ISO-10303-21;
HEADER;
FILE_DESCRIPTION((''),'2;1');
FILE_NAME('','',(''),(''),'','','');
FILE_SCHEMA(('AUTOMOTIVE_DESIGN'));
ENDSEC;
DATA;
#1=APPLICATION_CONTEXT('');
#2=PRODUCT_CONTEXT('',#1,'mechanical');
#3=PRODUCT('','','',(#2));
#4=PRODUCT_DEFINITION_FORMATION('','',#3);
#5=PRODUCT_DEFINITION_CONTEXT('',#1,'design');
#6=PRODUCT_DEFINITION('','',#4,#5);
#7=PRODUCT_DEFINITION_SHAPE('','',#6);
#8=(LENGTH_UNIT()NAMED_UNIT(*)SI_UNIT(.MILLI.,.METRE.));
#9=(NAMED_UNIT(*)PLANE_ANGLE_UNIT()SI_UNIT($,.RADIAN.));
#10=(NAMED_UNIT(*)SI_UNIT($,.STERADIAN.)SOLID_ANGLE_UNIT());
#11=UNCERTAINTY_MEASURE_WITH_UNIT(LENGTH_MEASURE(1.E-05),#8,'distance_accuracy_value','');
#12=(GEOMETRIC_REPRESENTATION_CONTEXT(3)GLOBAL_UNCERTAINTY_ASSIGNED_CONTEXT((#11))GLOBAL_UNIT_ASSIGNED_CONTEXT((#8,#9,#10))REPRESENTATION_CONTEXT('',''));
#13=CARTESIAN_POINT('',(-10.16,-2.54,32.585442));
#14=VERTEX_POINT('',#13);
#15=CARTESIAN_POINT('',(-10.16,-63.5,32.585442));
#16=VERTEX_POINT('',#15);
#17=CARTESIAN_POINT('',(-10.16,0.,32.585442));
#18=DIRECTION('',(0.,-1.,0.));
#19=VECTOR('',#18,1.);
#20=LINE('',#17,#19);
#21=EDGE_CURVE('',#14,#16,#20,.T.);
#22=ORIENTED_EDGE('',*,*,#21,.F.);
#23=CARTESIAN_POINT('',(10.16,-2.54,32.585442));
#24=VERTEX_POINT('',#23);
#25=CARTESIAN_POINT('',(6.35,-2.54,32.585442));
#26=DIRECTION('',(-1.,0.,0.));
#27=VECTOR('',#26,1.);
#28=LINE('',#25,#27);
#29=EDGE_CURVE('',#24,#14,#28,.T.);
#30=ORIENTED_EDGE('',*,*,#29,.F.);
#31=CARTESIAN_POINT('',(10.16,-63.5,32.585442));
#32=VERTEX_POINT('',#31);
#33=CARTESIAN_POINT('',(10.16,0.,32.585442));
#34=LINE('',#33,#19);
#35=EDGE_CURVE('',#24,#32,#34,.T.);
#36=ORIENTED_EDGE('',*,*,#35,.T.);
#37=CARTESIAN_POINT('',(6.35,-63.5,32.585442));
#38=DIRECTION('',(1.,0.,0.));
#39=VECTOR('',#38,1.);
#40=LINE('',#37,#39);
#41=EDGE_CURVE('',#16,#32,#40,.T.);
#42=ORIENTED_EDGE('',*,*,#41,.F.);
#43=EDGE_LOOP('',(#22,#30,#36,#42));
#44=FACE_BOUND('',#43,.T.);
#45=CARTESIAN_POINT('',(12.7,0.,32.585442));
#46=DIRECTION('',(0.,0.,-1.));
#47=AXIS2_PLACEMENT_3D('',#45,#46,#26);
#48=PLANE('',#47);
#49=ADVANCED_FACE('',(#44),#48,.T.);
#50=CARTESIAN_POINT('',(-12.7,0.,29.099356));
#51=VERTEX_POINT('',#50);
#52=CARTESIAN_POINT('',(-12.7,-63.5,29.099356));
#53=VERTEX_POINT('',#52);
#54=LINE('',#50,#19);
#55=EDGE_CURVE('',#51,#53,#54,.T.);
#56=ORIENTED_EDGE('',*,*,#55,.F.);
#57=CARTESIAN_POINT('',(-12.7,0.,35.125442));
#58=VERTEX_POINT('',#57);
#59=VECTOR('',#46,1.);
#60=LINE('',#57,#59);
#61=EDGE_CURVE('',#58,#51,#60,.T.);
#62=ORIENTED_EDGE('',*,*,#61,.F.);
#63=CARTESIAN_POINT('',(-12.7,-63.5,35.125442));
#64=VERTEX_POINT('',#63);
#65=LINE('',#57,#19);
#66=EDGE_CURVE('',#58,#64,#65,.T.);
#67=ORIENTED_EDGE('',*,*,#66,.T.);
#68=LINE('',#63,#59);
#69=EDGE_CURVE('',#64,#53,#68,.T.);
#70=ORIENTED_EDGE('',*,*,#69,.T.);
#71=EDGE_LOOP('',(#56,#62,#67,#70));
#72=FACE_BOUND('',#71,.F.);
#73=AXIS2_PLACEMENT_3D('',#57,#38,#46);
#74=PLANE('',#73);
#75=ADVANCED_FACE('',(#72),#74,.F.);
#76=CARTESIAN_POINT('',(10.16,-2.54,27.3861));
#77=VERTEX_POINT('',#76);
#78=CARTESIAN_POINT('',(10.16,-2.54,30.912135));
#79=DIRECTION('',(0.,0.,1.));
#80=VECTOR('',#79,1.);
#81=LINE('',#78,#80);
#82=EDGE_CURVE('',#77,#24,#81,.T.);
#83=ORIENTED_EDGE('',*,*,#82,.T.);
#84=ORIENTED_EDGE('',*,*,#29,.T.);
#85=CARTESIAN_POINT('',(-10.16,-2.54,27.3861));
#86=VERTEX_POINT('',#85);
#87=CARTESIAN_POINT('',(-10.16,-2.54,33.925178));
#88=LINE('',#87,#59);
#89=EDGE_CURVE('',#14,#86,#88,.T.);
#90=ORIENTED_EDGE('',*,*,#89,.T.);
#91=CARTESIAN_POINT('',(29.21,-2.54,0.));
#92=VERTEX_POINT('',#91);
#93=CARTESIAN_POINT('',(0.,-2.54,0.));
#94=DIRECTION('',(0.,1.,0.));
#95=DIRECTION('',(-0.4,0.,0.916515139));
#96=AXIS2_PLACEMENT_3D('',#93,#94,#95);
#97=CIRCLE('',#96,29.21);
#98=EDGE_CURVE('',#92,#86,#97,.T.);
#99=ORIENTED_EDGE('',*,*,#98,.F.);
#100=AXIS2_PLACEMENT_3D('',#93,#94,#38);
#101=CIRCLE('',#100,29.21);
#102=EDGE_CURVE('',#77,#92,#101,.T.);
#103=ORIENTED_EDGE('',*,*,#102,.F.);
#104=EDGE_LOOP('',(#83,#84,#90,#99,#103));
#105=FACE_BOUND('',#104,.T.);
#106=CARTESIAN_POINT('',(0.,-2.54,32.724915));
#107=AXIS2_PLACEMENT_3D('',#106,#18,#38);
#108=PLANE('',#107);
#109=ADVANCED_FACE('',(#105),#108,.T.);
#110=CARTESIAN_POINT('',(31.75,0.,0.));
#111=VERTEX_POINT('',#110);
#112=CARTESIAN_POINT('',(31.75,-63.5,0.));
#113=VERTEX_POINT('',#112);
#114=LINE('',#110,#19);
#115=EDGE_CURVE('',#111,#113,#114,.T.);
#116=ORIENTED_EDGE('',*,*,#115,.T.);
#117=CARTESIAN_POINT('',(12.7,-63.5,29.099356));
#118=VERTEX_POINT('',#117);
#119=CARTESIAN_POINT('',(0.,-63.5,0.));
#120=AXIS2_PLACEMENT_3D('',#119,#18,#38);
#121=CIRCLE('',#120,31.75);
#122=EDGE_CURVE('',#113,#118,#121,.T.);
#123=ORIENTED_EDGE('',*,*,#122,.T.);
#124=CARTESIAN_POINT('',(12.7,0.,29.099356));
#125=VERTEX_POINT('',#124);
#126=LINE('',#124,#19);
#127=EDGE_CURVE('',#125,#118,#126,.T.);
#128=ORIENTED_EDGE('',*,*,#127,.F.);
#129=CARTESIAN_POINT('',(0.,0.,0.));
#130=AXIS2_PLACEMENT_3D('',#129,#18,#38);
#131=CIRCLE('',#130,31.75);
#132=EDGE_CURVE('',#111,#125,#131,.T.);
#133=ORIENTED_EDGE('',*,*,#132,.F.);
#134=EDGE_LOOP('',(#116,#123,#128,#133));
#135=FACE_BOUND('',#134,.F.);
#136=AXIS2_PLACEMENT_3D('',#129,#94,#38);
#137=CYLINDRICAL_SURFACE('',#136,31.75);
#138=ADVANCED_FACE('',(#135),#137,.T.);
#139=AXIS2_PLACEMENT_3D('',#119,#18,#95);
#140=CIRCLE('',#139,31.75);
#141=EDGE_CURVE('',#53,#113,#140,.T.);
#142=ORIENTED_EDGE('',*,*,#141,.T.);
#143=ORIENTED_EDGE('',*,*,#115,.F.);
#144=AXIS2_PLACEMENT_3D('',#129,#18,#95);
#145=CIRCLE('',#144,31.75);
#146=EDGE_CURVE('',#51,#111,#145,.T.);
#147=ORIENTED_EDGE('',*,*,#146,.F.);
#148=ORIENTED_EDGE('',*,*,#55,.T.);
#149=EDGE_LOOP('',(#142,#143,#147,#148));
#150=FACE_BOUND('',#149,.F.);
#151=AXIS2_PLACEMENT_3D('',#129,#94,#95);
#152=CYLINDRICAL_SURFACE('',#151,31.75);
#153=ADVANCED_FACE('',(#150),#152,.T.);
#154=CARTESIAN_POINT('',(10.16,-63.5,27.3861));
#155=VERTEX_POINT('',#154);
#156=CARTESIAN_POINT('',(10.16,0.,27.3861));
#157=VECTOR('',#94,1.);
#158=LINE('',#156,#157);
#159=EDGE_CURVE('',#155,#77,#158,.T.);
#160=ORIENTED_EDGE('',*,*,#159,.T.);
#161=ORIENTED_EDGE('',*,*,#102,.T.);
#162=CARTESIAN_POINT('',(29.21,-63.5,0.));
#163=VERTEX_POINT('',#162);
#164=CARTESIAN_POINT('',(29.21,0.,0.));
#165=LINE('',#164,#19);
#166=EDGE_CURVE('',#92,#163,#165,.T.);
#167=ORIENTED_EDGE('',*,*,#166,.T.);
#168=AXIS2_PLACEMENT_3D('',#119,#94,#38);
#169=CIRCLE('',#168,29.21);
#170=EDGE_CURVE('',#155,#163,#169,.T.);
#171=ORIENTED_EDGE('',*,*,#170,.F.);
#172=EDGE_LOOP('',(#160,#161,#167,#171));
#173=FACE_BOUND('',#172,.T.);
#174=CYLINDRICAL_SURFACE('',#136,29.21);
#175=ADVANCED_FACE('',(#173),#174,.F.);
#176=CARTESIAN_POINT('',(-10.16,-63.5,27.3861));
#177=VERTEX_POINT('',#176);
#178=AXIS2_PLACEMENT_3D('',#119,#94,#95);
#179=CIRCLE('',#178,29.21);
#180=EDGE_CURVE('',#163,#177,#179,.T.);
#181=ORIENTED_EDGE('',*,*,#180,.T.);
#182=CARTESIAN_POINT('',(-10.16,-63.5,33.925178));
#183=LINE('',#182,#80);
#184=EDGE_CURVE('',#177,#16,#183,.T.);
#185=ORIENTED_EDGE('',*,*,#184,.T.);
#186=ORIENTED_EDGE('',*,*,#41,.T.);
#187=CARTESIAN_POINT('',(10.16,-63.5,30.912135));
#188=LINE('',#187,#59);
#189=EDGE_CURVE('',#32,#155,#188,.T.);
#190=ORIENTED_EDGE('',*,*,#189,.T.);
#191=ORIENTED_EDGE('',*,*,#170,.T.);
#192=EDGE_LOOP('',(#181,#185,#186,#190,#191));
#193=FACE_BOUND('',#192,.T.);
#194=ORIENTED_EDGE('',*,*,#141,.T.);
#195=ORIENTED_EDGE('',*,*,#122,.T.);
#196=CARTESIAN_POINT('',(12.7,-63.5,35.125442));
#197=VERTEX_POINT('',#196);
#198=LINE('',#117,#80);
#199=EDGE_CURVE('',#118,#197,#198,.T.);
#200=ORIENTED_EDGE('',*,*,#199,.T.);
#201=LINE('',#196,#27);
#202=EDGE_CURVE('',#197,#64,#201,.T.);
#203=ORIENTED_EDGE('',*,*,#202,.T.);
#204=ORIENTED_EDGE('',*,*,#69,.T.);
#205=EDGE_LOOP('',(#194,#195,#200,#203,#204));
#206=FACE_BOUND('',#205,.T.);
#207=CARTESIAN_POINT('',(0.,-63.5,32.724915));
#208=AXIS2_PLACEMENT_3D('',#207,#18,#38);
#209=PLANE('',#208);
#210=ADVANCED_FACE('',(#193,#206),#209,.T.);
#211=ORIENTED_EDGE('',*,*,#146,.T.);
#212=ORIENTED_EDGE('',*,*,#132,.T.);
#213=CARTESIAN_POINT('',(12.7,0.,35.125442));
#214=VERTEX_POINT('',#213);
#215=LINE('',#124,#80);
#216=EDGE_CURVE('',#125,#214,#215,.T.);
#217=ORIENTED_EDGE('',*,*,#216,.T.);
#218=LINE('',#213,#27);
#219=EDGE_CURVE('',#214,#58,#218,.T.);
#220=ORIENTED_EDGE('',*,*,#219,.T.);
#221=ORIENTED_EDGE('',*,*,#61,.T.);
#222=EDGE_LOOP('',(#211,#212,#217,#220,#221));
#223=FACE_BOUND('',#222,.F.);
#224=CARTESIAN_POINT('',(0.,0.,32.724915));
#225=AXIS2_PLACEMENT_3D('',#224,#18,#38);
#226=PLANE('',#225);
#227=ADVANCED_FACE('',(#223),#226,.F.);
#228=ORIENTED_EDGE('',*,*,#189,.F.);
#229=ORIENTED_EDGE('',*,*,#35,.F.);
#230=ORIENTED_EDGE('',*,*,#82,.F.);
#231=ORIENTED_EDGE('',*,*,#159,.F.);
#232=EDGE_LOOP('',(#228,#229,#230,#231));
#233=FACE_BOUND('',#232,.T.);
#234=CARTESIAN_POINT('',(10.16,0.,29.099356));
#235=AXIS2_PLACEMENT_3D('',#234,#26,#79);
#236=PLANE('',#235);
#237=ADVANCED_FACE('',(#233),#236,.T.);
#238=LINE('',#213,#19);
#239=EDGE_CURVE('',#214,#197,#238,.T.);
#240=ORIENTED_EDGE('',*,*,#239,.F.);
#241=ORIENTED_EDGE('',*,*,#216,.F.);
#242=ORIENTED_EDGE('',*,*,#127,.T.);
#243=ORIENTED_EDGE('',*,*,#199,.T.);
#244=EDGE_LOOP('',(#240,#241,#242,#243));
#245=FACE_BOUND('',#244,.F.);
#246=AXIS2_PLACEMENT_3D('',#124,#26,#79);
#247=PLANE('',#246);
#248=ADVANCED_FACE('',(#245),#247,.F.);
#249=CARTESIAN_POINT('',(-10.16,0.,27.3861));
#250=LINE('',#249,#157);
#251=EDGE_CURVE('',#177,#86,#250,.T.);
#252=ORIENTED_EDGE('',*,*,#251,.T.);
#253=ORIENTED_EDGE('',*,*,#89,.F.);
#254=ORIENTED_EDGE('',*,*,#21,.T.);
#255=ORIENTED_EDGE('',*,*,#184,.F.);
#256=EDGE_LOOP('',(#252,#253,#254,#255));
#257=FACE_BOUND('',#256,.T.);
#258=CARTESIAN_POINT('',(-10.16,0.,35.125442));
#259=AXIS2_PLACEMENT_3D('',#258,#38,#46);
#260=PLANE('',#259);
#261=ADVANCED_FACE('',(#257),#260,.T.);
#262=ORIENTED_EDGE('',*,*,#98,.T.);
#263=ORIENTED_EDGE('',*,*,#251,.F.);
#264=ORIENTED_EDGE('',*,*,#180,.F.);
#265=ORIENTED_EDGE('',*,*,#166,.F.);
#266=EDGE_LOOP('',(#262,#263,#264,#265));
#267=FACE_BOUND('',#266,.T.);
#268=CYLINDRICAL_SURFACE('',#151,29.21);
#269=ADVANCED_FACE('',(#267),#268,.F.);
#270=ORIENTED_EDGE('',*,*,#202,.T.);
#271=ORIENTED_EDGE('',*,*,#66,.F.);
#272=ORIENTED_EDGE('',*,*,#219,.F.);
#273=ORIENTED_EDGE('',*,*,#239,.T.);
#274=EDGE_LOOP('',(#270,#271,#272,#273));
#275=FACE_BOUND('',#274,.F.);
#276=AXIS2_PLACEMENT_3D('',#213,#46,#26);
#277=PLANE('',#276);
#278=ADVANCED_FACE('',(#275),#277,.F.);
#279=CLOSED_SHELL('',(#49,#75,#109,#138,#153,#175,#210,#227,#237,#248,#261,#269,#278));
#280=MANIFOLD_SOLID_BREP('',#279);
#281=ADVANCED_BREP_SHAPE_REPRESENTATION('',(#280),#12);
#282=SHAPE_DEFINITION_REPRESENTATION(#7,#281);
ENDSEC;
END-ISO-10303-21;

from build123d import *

# Parameters (mm, degrees)
F1_DEPTH = 63.5
F2_T     = -2.54


with BuildPart() as f1:
    # F0 (on Front) → F1 (new body)
    with BuildSketch(Plane.XZ):
        with BuildLine():
            ThreePointArc((-12.7, 29.099355663), (0, 31.75), (12.7, 29.099355663))
            Line((12.7, 29.099355663), (12.7, 35.1254418492))
            Line((12.7, 35.1254418492), (-12.7, 35.1254418492))
            Line((-12.7, 35.1254418492), (-12.7, 29.099355663))
        make_face()
        with BuildLine():
            ThreePointArc((-12.7, 29.099355663), (-17.3901912008, -26.5639558425), (31.75, 0))
            ThreePointArc((31.75, 0), (26.5639558425, 17.3901912008), (12.7, 29.099355663))
            Line((12.7, 29.099355663), (12.7, 28.3745581508))
            Line((12.7, 28.3745581508), (6.3699584668, 28.3745581508))
            ThreePointArc((6.3699584668, 28.3745581508), (22.7039126469, 18.1720739499), (29.0807826772, 0))
            ThreePointArc((29.0807826772, 0), (-18.1720739499, -22.7039126469), (-6.3699584668, 28.3745581508))
            Line((-6.3699584668, 28.3745581508), (-12.7, 28.3745581508))
            Line((-12.7, 28.3745581508), (-12.7, 29.099355663))
        make_face()
        with BuildLine():
            ThreePointArc((29.0807826772, 0), (22.7039126469, 18.1720739499), (6.3699584668, 28.3745581508))
            Line((6.3699584668, 28.3745581508), (-6.3699584668, 28.3745581508))
            ThreePointArc((-6.3699584668, 28.3745581508), (-18.1720739499, -22.7039126469), (29.0807826772, 0))
        make_face()
        with BuildLine():
            Line((-6.3699584668, 28.3745581508), (6.3699584668, 28.3745581508))
            ThreePointArc((6.3699584668, 28.3745581508), (0, 29.0807826772), (-6.3699584668, 28.3745581508))
        make_face()
        with BuildLine():
            Line((12.7, 28.3745581508), (12.7, 29.099355663))
            ThreePointArc((12.7, 29.099355663), (0, 31.75), (-12.7, 29.099355663))
            Line((-12.7, 29.099355663), (-12.7, 28.3745581508))
            Line((-12.7, 28.3745581508), (-6.3699584668, 28.3745581508))
            ThreePointArc((-6.3699584668, 28.3745581508), (0, 29.0807826772), (6.3699584668, 28.3745581508))
            Line((6.3699584668, 28.3745581508), (12.7, 28.3745581508))
        make_face()
    extrude(amount=F1_DEPTH)

    # F2
    f2_openings = [f1.faces().sort_by_distance(p)[0] for p in [
        (0, -63.5, 1.083948),
    ]]
    offset(amount=F2_T, openings=f2_openings, kind=Kind.INTERSECTION)


solid = f1.part
